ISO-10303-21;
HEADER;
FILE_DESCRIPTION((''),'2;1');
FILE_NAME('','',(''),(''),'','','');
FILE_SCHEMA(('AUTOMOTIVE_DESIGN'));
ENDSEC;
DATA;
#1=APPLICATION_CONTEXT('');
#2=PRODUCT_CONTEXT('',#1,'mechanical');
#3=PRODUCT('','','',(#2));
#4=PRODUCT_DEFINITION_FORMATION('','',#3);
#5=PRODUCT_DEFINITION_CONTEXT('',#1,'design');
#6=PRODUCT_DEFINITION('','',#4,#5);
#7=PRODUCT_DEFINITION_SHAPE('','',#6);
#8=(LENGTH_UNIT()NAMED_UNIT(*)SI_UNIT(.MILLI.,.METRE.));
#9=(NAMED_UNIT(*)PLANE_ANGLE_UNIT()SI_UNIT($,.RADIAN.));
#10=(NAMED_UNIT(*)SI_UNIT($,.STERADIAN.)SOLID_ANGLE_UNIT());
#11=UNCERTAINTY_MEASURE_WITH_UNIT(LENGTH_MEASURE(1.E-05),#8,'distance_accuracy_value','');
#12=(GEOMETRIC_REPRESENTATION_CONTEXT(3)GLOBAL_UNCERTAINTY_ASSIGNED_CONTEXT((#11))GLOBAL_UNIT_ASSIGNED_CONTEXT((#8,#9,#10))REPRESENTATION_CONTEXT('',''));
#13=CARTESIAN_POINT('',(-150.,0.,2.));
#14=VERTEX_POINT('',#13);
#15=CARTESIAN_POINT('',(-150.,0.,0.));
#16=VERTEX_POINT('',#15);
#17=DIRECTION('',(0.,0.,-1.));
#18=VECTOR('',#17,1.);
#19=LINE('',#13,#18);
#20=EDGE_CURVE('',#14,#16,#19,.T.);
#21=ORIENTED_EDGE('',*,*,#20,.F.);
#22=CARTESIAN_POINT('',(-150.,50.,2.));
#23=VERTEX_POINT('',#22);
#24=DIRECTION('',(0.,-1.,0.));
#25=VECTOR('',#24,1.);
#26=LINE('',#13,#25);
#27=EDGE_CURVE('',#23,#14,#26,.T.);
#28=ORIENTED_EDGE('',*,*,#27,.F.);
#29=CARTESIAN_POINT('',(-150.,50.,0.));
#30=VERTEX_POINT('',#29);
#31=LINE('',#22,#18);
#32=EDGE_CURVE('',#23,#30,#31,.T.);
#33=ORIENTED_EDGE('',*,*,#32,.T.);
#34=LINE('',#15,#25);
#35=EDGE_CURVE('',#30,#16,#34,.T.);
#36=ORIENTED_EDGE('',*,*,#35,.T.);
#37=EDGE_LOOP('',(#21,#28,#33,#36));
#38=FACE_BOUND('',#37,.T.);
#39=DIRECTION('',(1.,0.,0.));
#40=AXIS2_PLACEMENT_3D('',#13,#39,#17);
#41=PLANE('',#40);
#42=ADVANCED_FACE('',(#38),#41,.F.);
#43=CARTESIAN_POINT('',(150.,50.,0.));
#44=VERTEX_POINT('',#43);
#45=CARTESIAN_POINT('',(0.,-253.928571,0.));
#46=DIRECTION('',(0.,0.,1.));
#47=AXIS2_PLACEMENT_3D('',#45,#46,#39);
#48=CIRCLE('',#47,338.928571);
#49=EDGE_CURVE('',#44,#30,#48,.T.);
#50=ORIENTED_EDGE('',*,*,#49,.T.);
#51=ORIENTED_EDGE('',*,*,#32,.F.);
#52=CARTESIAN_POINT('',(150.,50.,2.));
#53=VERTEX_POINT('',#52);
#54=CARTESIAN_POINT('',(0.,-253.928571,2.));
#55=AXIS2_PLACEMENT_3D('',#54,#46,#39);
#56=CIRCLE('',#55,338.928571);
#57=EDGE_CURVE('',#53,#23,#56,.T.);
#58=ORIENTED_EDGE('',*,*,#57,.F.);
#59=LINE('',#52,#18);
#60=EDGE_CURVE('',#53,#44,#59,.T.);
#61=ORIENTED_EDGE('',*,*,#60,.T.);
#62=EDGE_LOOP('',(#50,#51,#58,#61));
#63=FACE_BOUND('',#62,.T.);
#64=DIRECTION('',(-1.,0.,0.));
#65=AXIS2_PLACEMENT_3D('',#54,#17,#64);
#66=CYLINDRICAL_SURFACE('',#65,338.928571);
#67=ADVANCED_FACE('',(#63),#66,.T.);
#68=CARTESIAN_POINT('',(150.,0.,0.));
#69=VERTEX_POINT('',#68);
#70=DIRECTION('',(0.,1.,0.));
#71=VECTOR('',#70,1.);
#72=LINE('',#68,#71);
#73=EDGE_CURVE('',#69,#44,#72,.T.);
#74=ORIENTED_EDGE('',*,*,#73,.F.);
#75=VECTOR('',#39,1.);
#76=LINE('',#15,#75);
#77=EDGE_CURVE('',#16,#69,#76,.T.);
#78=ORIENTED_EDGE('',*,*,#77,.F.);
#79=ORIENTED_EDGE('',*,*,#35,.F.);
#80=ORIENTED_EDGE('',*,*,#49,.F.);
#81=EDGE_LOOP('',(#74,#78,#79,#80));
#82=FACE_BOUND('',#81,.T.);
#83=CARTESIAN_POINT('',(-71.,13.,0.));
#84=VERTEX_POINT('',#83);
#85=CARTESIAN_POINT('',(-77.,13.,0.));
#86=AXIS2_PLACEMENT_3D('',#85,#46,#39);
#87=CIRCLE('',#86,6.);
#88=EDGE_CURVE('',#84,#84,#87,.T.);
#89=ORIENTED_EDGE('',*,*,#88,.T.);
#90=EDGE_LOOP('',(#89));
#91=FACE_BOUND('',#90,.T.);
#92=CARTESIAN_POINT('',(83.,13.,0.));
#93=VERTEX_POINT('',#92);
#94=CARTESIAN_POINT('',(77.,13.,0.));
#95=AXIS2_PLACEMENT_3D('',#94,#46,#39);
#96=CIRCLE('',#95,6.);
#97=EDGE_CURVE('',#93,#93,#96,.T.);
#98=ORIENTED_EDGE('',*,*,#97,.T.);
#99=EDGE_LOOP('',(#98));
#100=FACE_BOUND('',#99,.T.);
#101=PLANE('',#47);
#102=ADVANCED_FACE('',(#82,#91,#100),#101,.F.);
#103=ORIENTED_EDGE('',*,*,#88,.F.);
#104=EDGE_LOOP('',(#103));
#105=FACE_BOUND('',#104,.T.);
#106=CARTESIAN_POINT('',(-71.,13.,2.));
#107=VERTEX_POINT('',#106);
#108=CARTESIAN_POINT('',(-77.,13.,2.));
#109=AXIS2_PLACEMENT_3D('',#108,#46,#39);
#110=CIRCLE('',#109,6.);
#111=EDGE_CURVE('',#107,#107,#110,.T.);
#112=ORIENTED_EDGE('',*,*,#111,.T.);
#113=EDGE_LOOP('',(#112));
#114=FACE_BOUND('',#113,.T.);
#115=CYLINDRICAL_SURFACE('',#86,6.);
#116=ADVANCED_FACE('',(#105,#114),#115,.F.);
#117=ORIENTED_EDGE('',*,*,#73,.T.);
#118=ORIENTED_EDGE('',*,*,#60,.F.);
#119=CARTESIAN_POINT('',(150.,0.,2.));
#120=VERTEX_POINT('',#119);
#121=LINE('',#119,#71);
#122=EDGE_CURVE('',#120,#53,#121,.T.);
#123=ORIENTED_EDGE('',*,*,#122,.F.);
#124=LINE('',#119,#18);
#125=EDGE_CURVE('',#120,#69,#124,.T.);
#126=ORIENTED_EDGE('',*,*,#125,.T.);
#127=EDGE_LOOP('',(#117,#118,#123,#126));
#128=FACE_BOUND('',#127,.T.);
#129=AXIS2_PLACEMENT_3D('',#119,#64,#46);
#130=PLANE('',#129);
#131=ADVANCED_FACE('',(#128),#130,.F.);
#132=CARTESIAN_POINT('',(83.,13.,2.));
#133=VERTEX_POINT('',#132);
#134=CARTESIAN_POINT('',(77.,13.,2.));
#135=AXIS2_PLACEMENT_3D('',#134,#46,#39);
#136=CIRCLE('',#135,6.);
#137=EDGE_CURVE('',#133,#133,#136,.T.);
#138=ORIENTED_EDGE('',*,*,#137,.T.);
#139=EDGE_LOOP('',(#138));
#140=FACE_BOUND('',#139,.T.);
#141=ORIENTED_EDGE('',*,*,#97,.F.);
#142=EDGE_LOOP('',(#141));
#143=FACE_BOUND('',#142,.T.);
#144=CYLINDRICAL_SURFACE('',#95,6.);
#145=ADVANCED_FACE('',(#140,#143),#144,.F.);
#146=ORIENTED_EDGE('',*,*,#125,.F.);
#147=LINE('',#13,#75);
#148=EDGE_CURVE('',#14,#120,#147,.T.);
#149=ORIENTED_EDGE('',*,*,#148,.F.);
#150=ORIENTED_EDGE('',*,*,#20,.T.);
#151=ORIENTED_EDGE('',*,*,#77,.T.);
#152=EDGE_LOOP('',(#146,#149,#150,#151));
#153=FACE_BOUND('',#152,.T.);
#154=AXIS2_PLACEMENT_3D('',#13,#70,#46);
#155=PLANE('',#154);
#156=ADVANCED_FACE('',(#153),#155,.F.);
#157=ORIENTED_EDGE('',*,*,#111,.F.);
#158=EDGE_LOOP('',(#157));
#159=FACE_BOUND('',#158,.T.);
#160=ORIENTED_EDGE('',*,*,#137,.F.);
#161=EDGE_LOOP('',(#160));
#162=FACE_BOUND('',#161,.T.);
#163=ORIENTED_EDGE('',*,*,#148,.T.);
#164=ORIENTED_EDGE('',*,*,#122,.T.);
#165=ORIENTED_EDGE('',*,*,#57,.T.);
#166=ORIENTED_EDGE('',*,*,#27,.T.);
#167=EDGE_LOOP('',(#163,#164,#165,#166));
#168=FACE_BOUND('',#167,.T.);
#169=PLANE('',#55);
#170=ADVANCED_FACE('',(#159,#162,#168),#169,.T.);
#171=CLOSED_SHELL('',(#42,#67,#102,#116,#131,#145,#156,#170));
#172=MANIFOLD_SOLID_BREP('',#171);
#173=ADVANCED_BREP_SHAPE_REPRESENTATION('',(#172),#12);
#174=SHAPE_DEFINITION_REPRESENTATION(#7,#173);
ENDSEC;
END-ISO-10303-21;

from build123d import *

# Parameters (mm, degrees)
SALIENTE_EXTRUIR1_DEPTH = 2
CROQUIS2_R              = 6
CORTAR_EXTRUIR1_DEPTH   = 173.420996401


with BuildPart() as part:
    # Croquis1 → Saliente-Extruir1 (new body)
    with BuildSketch(Plane.XY):
        with BuildLine():
            Line((-150, 0), (150, 0))
            Line((150, 0), (150, 50))
            ThreePointArc((150, 50), (0, 85), (-150, 50))
            Line((-150, 50), (-150, 0))
        make_face()
    extrude(amount=SALIENTE_EXTRUIR1_DEPTH)

    # Croquis2 → Cortar-Extruir1 (cut, through all)
    with BuildSketch(Plane.XY.offset(2)):
        with Locations((-77, 13)):
            Circle(CROQUIS2_R)
        with Locations((77, 13)):
            Circle(CROQUIS2_R)
    extrude(amount=-CORTAR_EXTRUIR1_DEPTH, mode=Mode.SUBTRACT)


solid = part.part
